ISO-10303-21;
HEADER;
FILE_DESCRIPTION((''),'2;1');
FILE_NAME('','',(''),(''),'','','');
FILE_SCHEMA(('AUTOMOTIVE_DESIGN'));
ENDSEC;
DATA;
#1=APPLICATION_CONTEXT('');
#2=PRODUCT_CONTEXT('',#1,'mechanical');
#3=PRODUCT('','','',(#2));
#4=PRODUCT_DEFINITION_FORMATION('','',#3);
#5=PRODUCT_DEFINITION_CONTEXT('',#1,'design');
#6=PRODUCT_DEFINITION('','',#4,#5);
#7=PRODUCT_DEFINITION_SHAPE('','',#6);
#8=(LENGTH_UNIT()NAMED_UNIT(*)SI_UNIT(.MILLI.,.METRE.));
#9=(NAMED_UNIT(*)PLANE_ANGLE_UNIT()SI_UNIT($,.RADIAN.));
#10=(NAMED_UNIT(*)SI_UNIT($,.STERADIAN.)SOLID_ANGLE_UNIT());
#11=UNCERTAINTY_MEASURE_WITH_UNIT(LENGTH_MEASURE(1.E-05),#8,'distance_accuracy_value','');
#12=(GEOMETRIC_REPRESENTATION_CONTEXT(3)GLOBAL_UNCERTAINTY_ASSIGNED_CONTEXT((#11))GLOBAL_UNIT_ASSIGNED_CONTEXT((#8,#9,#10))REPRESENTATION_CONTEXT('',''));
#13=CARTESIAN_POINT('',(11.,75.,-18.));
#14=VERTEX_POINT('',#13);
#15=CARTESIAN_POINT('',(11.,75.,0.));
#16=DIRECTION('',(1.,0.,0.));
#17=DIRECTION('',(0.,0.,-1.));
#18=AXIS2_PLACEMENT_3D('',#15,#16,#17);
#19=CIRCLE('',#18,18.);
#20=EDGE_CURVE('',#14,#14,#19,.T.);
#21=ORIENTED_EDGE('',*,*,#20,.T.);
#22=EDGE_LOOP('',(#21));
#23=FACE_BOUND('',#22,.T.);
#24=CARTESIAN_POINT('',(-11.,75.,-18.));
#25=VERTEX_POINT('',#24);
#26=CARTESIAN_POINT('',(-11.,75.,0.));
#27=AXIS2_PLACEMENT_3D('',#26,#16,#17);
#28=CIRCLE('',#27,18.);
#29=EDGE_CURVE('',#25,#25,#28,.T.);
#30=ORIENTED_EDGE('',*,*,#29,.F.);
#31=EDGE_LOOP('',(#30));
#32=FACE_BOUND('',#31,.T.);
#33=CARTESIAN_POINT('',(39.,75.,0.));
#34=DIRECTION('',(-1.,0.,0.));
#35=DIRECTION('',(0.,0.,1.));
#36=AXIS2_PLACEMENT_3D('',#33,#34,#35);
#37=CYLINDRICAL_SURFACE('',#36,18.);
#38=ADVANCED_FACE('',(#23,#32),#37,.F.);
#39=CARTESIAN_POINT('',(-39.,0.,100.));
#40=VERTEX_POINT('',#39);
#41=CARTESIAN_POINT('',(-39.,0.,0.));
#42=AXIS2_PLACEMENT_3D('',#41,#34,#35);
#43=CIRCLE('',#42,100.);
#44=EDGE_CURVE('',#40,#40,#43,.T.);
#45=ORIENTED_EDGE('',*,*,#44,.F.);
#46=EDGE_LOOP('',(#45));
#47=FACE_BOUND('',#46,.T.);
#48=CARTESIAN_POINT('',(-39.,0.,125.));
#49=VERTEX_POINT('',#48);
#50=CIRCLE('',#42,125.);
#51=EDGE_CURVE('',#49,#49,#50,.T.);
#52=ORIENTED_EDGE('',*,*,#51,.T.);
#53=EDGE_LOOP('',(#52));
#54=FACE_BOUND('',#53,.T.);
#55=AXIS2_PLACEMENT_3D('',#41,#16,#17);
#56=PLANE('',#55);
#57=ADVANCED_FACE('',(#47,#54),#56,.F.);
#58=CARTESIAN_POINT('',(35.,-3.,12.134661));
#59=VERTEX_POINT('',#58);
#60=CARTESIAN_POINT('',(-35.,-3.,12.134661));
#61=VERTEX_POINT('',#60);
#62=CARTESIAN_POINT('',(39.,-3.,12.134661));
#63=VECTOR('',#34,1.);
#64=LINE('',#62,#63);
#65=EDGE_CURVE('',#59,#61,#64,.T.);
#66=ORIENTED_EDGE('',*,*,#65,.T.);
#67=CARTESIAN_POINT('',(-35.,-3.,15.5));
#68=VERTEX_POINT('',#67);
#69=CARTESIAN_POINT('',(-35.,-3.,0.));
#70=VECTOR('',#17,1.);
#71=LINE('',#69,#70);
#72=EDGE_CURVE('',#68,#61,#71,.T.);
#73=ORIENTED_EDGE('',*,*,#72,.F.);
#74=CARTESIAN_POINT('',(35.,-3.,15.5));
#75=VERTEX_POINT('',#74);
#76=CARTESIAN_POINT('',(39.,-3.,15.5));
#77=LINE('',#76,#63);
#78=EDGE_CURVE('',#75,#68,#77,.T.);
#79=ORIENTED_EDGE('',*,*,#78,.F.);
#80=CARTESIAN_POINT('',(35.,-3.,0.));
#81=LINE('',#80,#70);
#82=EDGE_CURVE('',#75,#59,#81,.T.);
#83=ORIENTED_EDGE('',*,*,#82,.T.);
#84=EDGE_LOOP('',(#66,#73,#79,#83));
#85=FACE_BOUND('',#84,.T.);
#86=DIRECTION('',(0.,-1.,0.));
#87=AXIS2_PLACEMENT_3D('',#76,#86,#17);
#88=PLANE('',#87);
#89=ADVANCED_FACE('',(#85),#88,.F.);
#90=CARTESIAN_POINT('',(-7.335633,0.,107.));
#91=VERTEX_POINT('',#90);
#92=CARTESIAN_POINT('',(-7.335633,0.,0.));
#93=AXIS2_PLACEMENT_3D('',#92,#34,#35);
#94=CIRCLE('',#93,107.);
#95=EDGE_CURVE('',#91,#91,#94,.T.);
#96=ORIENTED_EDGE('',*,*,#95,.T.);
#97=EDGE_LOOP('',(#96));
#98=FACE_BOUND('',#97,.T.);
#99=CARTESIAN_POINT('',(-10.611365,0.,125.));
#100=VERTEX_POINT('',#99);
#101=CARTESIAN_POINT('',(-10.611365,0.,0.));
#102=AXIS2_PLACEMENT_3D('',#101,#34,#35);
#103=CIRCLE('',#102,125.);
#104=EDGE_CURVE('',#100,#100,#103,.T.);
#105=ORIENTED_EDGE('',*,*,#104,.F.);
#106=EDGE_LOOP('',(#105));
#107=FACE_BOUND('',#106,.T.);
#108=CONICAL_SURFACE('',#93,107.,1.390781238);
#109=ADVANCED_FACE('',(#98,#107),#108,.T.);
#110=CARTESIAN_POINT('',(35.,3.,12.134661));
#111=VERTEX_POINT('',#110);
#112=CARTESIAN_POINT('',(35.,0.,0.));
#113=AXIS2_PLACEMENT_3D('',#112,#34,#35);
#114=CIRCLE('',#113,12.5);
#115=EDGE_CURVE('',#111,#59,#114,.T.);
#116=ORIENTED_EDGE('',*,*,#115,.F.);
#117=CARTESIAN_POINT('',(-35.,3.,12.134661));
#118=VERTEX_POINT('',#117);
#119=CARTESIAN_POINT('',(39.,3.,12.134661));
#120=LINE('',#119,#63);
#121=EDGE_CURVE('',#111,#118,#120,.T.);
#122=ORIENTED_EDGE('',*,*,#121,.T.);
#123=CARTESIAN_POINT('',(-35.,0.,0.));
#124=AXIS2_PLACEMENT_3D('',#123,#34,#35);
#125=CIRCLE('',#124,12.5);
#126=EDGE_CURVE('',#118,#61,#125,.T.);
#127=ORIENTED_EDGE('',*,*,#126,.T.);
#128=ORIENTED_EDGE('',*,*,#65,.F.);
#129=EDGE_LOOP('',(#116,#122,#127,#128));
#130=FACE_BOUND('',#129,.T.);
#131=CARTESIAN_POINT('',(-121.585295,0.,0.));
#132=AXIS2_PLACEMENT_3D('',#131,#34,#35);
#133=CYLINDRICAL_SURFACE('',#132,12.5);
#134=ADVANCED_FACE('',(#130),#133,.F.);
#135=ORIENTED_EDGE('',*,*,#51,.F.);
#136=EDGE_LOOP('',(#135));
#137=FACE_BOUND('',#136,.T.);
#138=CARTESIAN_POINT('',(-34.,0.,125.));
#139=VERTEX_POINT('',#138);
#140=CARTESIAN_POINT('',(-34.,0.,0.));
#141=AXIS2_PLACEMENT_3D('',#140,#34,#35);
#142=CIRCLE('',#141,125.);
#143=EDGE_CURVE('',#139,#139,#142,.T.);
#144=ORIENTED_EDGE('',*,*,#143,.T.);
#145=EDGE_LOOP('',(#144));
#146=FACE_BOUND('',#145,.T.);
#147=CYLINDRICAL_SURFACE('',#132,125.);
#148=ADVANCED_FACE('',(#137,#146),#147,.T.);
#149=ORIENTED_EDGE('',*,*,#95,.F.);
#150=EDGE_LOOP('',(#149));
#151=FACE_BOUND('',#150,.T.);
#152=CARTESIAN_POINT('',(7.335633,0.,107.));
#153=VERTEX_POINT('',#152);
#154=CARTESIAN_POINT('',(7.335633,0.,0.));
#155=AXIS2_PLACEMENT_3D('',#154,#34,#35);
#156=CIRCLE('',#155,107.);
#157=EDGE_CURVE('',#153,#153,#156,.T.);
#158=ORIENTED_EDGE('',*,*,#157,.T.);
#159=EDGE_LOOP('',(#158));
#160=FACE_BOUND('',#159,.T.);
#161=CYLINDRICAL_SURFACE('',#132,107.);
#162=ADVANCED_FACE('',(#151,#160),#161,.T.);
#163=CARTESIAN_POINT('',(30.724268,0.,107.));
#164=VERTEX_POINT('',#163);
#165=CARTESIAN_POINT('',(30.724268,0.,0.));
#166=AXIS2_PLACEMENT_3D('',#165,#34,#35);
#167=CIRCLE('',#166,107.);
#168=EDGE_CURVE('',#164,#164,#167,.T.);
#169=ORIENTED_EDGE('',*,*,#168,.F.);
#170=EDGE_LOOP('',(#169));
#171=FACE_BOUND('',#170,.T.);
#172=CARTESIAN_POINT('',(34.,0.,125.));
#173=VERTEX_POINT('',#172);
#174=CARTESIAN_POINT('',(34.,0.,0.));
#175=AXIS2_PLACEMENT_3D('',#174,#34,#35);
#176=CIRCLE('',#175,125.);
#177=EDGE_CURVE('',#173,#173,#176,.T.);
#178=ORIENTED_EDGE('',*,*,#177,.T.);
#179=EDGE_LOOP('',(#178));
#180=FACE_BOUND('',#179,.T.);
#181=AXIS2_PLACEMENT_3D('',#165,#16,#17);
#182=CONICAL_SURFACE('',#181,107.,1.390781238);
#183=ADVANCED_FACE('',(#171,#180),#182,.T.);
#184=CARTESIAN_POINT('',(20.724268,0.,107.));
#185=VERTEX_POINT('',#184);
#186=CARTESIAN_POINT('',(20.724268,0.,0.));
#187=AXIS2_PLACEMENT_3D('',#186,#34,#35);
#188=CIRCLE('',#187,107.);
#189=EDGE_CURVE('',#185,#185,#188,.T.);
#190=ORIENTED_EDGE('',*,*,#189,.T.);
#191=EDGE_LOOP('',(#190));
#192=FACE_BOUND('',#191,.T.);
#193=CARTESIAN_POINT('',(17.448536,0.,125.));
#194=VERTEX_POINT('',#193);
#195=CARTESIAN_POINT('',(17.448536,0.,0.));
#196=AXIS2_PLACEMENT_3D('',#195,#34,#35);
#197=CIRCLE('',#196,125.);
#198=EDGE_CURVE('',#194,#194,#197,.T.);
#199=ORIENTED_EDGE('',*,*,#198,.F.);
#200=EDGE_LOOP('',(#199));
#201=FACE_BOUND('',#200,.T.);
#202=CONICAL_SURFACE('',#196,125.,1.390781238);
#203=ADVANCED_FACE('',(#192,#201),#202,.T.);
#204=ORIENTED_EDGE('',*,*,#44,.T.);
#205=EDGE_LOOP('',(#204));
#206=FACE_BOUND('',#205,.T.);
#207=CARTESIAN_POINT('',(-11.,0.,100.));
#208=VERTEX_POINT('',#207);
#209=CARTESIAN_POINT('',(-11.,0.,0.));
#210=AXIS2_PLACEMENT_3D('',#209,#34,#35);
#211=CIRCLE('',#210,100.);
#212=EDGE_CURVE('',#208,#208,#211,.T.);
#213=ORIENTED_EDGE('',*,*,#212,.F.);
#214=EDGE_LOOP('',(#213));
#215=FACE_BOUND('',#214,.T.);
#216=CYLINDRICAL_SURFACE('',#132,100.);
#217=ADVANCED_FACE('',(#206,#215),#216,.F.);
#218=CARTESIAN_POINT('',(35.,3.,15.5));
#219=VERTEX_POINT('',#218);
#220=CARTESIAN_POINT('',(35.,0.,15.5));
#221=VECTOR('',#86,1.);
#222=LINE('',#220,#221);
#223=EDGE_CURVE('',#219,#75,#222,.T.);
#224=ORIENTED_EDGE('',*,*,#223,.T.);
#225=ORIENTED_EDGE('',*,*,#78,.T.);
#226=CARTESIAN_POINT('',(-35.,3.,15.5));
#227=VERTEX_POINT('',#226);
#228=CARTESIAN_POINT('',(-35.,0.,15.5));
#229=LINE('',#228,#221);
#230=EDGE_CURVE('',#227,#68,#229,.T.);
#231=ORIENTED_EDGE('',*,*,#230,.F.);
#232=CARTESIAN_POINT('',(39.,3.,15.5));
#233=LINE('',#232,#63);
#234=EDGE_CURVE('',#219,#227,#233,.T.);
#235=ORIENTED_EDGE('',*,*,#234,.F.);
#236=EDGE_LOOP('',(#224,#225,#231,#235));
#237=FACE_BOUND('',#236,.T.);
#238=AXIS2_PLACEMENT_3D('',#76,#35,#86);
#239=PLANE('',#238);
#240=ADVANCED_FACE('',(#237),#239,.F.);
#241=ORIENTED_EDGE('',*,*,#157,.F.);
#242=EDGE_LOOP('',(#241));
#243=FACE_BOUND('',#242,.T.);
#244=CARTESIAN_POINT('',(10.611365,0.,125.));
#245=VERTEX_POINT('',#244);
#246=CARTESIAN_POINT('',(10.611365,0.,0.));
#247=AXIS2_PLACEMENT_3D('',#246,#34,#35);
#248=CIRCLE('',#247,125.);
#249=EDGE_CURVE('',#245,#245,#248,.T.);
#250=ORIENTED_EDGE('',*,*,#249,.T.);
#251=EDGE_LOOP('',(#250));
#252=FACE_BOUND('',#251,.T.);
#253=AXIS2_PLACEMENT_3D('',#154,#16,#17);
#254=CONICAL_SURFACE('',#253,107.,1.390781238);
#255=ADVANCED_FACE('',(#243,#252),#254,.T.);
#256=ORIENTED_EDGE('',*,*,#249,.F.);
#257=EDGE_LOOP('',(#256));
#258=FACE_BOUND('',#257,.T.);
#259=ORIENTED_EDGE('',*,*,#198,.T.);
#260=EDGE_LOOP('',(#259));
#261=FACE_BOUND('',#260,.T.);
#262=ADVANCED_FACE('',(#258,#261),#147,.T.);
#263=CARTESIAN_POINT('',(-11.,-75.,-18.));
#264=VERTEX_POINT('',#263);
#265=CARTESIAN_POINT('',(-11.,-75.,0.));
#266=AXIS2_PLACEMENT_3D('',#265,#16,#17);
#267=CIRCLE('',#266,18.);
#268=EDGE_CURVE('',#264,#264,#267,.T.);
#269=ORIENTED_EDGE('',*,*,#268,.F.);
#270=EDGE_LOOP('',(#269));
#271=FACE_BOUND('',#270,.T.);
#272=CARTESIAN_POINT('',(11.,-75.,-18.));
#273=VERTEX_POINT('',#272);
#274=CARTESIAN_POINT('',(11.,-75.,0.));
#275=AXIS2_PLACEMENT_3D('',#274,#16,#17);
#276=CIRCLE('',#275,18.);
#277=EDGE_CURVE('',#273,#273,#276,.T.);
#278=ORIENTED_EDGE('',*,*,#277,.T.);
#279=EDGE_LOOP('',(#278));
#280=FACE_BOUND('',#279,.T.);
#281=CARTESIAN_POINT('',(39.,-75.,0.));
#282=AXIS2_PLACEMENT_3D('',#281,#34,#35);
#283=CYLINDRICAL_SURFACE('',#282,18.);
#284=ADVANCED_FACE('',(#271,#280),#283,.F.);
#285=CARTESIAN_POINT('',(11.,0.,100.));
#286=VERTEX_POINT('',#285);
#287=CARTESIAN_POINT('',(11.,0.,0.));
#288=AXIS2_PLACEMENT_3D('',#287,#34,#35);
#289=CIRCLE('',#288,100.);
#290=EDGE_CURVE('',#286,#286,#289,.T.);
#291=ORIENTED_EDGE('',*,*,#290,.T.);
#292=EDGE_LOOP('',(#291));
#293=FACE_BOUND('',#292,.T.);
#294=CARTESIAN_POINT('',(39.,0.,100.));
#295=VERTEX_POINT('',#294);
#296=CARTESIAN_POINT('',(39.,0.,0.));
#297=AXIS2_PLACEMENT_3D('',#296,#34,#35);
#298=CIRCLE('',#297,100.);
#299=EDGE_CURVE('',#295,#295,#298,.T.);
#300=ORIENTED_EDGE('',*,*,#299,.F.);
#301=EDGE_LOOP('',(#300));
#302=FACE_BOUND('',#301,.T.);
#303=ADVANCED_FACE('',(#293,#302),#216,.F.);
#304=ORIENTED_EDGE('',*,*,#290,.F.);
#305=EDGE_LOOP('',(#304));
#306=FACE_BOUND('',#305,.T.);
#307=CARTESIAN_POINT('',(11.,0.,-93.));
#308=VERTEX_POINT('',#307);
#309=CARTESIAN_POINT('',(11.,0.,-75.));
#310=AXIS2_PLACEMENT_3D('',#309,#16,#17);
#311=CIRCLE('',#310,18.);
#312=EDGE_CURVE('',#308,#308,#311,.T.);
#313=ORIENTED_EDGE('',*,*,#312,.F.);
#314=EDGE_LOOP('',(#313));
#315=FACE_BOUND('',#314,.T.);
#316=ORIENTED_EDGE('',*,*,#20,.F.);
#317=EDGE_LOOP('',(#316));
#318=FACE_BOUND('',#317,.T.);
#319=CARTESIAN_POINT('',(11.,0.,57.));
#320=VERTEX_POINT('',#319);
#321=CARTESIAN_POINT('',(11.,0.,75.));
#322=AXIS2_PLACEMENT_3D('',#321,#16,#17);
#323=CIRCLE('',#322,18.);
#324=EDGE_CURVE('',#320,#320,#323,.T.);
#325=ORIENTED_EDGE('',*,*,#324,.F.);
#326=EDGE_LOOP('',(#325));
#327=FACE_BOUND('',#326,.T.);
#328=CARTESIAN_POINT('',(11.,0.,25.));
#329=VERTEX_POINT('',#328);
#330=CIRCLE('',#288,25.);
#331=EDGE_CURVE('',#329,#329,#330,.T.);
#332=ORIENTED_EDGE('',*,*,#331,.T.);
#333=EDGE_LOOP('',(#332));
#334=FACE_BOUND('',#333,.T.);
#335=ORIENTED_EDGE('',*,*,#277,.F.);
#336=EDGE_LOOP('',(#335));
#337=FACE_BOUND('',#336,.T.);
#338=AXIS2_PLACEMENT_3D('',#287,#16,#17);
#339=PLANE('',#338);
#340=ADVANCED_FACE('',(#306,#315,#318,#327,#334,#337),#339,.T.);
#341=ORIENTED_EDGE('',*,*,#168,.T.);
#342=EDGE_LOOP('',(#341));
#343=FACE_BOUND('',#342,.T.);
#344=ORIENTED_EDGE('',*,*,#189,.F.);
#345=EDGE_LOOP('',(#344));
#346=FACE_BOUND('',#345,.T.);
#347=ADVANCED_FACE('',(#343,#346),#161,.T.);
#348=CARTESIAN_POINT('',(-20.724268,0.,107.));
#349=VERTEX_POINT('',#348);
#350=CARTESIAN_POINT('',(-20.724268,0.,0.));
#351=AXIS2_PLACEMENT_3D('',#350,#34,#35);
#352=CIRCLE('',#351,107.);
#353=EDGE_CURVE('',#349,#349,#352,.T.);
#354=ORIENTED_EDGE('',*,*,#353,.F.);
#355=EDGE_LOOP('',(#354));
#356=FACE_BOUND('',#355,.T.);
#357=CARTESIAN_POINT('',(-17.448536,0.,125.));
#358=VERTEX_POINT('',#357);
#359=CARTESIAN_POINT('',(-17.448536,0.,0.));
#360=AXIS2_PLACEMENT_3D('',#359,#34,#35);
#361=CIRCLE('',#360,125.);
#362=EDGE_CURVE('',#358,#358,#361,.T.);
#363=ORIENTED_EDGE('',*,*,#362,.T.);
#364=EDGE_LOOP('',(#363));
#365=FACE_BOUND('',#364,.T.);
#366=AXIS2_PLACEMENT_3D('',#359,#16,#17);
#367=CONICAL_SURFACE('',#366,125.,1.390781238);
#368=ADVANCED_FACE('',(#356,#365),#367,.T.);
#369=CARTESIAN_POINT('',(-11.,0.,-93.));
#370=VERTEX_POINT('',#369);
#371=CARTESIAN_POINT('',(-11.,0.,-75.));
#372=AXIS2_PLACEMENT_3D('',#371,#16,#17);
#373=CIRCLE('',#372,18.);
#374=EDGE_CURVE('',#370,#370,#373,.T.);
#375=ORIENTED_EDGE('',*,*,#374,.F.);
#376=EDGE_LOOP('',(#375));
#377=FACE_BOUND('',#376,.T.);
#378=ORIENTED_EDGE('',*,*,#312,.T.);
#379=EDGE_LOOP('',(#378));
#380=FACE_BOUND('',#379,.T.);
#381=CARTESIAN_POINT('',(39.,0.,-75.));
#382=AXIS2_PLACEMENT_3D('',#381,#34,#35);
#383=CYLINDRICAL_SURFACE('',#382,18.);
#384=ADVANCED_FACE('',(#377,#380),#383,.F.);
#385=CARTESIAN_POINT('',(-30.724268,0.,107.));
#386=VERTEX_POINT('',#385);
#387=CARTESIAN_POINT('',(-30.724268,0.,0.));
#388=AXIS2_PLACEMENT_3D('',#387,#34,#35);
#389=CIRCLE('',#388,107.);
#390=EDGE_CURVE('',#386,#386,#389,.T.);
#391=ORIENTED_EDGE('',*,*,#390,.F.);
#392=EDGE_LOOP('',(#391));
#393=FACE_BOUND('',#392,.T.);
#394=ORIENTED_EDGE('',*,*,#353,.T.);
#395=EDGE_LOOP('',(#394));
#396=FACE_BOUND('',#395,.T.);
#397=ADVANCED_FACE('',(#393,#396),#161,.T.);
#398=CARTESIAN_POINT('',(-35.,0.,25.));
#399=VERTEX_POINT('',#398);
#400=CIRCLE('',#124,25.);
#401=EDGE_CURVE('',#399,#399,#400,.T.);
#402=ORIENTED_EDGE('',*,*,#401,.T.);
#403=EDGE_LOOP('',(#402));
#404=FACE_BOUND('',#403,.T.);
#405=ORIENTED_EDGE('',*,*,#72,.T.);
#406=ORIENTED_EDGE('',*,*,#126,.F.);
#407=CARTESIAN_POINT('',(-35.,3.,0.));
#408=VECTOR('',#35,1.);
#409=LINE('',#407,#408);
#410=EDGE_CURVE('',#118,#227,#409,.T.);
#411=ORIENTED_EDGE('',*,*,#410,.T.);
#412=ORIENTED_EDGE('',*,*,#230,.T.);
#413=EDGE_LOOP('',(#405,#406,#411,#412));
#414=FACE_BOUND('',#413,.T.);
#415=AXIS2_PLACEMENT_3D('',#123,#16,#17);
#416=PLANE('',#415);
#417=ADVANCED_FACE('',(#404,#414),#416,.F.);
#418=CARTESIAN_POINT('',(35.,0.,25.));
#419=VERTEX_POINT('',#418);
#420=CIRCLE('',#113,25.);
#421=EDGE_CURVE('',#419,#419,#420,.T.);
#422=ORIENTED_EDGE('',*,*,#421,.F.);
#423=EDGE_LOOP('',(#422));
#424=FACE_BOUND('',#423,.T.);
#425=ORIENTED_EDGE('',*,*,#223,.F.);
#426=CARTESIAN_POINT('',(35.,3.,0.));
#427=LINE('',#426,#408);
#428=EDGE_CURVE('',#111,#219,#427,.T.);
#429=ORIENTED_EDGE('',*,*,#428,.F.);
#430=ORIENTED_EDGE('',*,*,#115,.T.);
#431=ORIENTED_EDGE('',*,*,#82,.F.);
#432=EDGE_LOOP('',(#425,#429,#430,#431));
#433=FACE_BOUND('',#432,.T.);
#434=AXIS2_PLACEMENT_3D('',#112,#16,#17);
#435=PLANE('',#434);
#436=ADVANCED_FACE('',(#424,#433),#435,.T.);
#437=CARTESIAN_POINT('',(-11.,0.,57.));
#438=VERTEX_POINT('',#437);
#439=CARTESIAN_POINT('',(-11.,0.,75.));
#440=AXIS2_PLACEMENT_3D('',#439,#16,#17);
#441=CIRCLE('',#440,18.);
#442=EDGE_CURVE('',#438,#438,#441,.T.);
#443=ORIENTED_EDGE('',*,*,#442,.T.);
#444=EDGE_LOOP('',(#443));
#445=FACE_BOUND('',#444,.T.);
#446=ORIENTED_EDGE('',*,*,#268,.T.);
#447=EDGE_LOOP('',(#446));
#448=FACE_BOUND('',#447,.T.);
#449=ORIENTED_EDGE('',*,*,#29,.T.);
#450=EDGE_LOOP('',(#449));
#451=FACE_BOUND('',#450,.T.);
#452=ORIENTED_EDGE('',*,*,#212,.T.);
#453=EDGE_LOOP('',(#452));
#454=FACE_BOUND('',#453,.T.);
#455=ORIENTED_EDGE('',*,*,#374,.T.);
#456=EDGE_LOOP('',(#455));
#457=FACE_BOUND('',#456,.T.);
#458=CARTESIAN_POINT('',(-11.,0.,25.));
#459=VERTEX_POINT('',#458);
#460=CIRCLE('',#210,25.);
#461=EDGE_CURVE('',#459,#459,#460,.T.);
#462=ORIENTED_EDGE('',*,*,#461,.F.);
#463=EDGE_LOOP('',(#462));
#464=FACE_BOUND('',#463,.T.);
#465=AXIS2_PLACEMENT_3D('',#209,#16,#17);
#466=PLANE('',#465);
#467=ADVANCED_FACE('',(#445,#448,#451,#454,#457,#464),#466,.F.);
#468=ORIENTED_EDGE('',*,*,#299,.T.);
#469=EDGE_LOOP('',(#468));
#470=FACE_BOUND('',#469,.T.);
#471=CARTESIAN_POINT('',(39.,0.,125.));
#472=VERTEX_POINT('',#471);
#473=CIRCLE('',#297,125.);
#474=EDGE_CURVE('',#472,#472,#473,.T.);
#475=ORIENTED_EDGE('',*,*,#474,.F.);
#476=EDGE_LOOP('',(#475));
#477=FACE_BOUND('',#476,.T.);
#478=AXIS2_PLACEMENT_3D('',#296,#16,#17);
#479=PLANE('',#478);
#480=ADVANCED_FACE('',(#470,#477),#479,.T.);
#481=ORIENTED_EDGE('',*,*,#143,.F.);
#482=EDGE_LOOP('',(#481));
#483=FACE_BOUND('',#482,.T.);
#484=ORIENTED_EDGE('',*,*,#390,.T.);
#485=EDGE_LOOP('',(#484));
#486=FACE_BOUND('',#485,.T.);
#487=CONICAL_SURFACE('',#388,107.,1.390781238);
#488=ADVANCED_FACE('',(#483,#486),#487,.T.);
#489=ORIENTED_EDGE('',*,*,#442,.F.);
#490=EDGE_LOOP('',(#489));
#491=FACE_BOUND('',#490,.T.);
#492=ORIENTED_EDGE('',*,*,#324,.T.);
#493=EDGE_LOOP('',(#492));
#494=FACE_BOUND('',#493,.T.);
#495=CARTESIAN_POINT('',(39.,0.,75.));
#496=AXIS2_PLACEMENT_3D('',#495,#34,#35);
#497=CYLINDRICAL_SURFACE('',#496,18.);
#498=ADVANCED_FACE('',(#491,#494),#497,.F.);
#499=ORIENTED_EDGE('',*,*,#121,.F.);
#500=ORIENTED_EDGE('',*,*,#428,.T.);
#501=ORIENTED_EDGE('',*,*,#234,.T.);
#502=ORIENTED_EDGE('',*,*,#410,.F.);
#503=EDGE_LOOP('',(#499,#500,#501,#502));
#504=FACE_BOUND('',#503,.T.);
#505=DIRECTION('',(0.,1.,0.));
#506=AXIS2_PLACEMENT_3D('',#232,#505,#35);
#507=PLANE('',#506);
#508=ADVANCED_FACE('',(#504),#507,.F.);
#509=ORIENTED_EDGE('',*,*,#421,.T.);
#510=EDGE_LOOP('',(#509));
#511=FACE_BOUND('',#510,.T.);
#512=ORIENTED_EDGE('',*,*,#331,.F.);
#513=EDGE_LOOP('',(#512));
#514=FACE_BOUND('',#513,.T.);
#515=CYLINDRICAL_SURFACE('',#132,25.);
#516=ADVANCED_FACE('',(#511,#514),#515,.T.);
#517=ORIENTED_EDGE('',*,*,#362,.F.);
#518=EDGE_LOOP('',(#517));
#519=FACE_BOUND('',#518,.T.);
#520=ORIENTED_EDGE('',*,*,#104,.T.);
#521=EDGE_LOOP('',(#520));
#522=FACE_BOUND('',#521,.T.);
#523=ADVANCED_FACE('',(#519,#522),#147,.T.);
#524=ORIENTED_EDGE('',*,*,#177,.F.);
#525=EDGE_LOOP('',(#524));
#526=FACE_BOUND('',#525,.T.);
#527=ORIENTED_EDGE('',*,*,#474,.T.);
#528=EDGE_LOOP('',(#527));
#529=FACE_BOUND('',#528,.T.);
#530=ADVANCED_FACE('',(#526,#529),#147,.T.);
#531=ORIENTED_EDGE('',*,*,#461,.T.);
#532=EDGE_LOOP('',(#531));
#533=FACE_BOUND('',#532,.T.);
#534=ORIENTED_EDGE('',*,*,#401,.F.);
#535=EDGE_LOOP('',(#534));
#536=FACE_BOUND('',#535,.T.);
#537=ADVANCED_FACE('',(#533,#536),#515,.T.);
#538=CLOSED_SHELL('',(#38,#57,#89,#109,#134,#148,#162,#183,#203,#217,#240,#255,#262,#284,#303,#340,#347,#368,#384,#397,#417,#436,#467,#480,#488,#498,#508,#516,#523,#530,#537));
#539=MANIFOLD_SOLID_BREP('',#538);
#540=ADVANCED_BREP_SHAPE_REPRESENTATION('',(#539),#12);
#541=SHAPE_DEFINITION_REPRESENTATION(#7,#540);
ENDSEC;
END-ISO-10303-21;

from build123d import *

# Parameters (mm, degrees)
CUT_EXTRUDE1_DEPTH      = 184.711730709
CUT_EXTRUDE1_DEPTH_BACK = 184.711730709
SKETCH2_R               = 18


with BuildPart() as part:
    # Sketch1 → Revolve2 (revolve)
    with BuildSketch(Plane.XY, mode=Mode.PRIVATE) as revolve2_sk:
        Polygon((17.448535783, 125), (20.724267892, 107), (30.724267892, 107), (34, 125), (39, 125), (39, 100), (11, 100), (11, 25), (35, 25), (35, 12.5), (0, 12.5), (-35, 12.5), (-35, 25), (-11, 25), (-11, 100), (-39, 100), (-39, 125), (-34, 125), (-30.724267892, 107), (-20.724267892, 107), (-17.448535783, 125), (-10.611364858, 125), (-7.33563275, 107), (7.33563275, 107), (10.611364858, 125), align=None)
    revolve(revolve2_sk.sketch.rotate(Axis((-121.58529461, 0, 0), (1, 0, 0)), 90), axis=Axis((-121.58529461, 0, 0), (1, 0, 0)))

    # Sketch2 → Cut-Extrude1 (cut, two sides: drawn at the far end of the back side and taken through both)
    with BuildSketch(Plane.ZY.offset(11).offset(-CUT_EXTRUDE1_DEPTH_BACK)):
        with Locations(Location((0, 75, 0), (0, 0, 180))):
            Circle(SKETCH2_R)
        with Locations(Location((75, 0, 0), (0, 0, 180))):
            Circle(SKETCH2_R)
        with Locations(Location((0, -75, 0), (0, 0, 180))):
            Circle(SKETCH2_R)
        with Locations(Location((-75, 0, 0), (0, 0, 180))):
            Circle(SKETCH2_R)
        with BuildLine():
            Line((15.5, -3), (15.5, 3))
            Line((15.5, 3), (12.1346611, 3))
            ThreePointArc((12.1346611, 3), (-12.5, 0), (12.1346611, -3))
            Line((12.1346611, -3), (15.5, -3))
        make_face()
    extrude(amount=CUT_EXTRUDE1_DEPTH + CUT_EXTRUDE1_DEPTH_BACK, mode=Mode.SUBTRACT)


solid = part.part
